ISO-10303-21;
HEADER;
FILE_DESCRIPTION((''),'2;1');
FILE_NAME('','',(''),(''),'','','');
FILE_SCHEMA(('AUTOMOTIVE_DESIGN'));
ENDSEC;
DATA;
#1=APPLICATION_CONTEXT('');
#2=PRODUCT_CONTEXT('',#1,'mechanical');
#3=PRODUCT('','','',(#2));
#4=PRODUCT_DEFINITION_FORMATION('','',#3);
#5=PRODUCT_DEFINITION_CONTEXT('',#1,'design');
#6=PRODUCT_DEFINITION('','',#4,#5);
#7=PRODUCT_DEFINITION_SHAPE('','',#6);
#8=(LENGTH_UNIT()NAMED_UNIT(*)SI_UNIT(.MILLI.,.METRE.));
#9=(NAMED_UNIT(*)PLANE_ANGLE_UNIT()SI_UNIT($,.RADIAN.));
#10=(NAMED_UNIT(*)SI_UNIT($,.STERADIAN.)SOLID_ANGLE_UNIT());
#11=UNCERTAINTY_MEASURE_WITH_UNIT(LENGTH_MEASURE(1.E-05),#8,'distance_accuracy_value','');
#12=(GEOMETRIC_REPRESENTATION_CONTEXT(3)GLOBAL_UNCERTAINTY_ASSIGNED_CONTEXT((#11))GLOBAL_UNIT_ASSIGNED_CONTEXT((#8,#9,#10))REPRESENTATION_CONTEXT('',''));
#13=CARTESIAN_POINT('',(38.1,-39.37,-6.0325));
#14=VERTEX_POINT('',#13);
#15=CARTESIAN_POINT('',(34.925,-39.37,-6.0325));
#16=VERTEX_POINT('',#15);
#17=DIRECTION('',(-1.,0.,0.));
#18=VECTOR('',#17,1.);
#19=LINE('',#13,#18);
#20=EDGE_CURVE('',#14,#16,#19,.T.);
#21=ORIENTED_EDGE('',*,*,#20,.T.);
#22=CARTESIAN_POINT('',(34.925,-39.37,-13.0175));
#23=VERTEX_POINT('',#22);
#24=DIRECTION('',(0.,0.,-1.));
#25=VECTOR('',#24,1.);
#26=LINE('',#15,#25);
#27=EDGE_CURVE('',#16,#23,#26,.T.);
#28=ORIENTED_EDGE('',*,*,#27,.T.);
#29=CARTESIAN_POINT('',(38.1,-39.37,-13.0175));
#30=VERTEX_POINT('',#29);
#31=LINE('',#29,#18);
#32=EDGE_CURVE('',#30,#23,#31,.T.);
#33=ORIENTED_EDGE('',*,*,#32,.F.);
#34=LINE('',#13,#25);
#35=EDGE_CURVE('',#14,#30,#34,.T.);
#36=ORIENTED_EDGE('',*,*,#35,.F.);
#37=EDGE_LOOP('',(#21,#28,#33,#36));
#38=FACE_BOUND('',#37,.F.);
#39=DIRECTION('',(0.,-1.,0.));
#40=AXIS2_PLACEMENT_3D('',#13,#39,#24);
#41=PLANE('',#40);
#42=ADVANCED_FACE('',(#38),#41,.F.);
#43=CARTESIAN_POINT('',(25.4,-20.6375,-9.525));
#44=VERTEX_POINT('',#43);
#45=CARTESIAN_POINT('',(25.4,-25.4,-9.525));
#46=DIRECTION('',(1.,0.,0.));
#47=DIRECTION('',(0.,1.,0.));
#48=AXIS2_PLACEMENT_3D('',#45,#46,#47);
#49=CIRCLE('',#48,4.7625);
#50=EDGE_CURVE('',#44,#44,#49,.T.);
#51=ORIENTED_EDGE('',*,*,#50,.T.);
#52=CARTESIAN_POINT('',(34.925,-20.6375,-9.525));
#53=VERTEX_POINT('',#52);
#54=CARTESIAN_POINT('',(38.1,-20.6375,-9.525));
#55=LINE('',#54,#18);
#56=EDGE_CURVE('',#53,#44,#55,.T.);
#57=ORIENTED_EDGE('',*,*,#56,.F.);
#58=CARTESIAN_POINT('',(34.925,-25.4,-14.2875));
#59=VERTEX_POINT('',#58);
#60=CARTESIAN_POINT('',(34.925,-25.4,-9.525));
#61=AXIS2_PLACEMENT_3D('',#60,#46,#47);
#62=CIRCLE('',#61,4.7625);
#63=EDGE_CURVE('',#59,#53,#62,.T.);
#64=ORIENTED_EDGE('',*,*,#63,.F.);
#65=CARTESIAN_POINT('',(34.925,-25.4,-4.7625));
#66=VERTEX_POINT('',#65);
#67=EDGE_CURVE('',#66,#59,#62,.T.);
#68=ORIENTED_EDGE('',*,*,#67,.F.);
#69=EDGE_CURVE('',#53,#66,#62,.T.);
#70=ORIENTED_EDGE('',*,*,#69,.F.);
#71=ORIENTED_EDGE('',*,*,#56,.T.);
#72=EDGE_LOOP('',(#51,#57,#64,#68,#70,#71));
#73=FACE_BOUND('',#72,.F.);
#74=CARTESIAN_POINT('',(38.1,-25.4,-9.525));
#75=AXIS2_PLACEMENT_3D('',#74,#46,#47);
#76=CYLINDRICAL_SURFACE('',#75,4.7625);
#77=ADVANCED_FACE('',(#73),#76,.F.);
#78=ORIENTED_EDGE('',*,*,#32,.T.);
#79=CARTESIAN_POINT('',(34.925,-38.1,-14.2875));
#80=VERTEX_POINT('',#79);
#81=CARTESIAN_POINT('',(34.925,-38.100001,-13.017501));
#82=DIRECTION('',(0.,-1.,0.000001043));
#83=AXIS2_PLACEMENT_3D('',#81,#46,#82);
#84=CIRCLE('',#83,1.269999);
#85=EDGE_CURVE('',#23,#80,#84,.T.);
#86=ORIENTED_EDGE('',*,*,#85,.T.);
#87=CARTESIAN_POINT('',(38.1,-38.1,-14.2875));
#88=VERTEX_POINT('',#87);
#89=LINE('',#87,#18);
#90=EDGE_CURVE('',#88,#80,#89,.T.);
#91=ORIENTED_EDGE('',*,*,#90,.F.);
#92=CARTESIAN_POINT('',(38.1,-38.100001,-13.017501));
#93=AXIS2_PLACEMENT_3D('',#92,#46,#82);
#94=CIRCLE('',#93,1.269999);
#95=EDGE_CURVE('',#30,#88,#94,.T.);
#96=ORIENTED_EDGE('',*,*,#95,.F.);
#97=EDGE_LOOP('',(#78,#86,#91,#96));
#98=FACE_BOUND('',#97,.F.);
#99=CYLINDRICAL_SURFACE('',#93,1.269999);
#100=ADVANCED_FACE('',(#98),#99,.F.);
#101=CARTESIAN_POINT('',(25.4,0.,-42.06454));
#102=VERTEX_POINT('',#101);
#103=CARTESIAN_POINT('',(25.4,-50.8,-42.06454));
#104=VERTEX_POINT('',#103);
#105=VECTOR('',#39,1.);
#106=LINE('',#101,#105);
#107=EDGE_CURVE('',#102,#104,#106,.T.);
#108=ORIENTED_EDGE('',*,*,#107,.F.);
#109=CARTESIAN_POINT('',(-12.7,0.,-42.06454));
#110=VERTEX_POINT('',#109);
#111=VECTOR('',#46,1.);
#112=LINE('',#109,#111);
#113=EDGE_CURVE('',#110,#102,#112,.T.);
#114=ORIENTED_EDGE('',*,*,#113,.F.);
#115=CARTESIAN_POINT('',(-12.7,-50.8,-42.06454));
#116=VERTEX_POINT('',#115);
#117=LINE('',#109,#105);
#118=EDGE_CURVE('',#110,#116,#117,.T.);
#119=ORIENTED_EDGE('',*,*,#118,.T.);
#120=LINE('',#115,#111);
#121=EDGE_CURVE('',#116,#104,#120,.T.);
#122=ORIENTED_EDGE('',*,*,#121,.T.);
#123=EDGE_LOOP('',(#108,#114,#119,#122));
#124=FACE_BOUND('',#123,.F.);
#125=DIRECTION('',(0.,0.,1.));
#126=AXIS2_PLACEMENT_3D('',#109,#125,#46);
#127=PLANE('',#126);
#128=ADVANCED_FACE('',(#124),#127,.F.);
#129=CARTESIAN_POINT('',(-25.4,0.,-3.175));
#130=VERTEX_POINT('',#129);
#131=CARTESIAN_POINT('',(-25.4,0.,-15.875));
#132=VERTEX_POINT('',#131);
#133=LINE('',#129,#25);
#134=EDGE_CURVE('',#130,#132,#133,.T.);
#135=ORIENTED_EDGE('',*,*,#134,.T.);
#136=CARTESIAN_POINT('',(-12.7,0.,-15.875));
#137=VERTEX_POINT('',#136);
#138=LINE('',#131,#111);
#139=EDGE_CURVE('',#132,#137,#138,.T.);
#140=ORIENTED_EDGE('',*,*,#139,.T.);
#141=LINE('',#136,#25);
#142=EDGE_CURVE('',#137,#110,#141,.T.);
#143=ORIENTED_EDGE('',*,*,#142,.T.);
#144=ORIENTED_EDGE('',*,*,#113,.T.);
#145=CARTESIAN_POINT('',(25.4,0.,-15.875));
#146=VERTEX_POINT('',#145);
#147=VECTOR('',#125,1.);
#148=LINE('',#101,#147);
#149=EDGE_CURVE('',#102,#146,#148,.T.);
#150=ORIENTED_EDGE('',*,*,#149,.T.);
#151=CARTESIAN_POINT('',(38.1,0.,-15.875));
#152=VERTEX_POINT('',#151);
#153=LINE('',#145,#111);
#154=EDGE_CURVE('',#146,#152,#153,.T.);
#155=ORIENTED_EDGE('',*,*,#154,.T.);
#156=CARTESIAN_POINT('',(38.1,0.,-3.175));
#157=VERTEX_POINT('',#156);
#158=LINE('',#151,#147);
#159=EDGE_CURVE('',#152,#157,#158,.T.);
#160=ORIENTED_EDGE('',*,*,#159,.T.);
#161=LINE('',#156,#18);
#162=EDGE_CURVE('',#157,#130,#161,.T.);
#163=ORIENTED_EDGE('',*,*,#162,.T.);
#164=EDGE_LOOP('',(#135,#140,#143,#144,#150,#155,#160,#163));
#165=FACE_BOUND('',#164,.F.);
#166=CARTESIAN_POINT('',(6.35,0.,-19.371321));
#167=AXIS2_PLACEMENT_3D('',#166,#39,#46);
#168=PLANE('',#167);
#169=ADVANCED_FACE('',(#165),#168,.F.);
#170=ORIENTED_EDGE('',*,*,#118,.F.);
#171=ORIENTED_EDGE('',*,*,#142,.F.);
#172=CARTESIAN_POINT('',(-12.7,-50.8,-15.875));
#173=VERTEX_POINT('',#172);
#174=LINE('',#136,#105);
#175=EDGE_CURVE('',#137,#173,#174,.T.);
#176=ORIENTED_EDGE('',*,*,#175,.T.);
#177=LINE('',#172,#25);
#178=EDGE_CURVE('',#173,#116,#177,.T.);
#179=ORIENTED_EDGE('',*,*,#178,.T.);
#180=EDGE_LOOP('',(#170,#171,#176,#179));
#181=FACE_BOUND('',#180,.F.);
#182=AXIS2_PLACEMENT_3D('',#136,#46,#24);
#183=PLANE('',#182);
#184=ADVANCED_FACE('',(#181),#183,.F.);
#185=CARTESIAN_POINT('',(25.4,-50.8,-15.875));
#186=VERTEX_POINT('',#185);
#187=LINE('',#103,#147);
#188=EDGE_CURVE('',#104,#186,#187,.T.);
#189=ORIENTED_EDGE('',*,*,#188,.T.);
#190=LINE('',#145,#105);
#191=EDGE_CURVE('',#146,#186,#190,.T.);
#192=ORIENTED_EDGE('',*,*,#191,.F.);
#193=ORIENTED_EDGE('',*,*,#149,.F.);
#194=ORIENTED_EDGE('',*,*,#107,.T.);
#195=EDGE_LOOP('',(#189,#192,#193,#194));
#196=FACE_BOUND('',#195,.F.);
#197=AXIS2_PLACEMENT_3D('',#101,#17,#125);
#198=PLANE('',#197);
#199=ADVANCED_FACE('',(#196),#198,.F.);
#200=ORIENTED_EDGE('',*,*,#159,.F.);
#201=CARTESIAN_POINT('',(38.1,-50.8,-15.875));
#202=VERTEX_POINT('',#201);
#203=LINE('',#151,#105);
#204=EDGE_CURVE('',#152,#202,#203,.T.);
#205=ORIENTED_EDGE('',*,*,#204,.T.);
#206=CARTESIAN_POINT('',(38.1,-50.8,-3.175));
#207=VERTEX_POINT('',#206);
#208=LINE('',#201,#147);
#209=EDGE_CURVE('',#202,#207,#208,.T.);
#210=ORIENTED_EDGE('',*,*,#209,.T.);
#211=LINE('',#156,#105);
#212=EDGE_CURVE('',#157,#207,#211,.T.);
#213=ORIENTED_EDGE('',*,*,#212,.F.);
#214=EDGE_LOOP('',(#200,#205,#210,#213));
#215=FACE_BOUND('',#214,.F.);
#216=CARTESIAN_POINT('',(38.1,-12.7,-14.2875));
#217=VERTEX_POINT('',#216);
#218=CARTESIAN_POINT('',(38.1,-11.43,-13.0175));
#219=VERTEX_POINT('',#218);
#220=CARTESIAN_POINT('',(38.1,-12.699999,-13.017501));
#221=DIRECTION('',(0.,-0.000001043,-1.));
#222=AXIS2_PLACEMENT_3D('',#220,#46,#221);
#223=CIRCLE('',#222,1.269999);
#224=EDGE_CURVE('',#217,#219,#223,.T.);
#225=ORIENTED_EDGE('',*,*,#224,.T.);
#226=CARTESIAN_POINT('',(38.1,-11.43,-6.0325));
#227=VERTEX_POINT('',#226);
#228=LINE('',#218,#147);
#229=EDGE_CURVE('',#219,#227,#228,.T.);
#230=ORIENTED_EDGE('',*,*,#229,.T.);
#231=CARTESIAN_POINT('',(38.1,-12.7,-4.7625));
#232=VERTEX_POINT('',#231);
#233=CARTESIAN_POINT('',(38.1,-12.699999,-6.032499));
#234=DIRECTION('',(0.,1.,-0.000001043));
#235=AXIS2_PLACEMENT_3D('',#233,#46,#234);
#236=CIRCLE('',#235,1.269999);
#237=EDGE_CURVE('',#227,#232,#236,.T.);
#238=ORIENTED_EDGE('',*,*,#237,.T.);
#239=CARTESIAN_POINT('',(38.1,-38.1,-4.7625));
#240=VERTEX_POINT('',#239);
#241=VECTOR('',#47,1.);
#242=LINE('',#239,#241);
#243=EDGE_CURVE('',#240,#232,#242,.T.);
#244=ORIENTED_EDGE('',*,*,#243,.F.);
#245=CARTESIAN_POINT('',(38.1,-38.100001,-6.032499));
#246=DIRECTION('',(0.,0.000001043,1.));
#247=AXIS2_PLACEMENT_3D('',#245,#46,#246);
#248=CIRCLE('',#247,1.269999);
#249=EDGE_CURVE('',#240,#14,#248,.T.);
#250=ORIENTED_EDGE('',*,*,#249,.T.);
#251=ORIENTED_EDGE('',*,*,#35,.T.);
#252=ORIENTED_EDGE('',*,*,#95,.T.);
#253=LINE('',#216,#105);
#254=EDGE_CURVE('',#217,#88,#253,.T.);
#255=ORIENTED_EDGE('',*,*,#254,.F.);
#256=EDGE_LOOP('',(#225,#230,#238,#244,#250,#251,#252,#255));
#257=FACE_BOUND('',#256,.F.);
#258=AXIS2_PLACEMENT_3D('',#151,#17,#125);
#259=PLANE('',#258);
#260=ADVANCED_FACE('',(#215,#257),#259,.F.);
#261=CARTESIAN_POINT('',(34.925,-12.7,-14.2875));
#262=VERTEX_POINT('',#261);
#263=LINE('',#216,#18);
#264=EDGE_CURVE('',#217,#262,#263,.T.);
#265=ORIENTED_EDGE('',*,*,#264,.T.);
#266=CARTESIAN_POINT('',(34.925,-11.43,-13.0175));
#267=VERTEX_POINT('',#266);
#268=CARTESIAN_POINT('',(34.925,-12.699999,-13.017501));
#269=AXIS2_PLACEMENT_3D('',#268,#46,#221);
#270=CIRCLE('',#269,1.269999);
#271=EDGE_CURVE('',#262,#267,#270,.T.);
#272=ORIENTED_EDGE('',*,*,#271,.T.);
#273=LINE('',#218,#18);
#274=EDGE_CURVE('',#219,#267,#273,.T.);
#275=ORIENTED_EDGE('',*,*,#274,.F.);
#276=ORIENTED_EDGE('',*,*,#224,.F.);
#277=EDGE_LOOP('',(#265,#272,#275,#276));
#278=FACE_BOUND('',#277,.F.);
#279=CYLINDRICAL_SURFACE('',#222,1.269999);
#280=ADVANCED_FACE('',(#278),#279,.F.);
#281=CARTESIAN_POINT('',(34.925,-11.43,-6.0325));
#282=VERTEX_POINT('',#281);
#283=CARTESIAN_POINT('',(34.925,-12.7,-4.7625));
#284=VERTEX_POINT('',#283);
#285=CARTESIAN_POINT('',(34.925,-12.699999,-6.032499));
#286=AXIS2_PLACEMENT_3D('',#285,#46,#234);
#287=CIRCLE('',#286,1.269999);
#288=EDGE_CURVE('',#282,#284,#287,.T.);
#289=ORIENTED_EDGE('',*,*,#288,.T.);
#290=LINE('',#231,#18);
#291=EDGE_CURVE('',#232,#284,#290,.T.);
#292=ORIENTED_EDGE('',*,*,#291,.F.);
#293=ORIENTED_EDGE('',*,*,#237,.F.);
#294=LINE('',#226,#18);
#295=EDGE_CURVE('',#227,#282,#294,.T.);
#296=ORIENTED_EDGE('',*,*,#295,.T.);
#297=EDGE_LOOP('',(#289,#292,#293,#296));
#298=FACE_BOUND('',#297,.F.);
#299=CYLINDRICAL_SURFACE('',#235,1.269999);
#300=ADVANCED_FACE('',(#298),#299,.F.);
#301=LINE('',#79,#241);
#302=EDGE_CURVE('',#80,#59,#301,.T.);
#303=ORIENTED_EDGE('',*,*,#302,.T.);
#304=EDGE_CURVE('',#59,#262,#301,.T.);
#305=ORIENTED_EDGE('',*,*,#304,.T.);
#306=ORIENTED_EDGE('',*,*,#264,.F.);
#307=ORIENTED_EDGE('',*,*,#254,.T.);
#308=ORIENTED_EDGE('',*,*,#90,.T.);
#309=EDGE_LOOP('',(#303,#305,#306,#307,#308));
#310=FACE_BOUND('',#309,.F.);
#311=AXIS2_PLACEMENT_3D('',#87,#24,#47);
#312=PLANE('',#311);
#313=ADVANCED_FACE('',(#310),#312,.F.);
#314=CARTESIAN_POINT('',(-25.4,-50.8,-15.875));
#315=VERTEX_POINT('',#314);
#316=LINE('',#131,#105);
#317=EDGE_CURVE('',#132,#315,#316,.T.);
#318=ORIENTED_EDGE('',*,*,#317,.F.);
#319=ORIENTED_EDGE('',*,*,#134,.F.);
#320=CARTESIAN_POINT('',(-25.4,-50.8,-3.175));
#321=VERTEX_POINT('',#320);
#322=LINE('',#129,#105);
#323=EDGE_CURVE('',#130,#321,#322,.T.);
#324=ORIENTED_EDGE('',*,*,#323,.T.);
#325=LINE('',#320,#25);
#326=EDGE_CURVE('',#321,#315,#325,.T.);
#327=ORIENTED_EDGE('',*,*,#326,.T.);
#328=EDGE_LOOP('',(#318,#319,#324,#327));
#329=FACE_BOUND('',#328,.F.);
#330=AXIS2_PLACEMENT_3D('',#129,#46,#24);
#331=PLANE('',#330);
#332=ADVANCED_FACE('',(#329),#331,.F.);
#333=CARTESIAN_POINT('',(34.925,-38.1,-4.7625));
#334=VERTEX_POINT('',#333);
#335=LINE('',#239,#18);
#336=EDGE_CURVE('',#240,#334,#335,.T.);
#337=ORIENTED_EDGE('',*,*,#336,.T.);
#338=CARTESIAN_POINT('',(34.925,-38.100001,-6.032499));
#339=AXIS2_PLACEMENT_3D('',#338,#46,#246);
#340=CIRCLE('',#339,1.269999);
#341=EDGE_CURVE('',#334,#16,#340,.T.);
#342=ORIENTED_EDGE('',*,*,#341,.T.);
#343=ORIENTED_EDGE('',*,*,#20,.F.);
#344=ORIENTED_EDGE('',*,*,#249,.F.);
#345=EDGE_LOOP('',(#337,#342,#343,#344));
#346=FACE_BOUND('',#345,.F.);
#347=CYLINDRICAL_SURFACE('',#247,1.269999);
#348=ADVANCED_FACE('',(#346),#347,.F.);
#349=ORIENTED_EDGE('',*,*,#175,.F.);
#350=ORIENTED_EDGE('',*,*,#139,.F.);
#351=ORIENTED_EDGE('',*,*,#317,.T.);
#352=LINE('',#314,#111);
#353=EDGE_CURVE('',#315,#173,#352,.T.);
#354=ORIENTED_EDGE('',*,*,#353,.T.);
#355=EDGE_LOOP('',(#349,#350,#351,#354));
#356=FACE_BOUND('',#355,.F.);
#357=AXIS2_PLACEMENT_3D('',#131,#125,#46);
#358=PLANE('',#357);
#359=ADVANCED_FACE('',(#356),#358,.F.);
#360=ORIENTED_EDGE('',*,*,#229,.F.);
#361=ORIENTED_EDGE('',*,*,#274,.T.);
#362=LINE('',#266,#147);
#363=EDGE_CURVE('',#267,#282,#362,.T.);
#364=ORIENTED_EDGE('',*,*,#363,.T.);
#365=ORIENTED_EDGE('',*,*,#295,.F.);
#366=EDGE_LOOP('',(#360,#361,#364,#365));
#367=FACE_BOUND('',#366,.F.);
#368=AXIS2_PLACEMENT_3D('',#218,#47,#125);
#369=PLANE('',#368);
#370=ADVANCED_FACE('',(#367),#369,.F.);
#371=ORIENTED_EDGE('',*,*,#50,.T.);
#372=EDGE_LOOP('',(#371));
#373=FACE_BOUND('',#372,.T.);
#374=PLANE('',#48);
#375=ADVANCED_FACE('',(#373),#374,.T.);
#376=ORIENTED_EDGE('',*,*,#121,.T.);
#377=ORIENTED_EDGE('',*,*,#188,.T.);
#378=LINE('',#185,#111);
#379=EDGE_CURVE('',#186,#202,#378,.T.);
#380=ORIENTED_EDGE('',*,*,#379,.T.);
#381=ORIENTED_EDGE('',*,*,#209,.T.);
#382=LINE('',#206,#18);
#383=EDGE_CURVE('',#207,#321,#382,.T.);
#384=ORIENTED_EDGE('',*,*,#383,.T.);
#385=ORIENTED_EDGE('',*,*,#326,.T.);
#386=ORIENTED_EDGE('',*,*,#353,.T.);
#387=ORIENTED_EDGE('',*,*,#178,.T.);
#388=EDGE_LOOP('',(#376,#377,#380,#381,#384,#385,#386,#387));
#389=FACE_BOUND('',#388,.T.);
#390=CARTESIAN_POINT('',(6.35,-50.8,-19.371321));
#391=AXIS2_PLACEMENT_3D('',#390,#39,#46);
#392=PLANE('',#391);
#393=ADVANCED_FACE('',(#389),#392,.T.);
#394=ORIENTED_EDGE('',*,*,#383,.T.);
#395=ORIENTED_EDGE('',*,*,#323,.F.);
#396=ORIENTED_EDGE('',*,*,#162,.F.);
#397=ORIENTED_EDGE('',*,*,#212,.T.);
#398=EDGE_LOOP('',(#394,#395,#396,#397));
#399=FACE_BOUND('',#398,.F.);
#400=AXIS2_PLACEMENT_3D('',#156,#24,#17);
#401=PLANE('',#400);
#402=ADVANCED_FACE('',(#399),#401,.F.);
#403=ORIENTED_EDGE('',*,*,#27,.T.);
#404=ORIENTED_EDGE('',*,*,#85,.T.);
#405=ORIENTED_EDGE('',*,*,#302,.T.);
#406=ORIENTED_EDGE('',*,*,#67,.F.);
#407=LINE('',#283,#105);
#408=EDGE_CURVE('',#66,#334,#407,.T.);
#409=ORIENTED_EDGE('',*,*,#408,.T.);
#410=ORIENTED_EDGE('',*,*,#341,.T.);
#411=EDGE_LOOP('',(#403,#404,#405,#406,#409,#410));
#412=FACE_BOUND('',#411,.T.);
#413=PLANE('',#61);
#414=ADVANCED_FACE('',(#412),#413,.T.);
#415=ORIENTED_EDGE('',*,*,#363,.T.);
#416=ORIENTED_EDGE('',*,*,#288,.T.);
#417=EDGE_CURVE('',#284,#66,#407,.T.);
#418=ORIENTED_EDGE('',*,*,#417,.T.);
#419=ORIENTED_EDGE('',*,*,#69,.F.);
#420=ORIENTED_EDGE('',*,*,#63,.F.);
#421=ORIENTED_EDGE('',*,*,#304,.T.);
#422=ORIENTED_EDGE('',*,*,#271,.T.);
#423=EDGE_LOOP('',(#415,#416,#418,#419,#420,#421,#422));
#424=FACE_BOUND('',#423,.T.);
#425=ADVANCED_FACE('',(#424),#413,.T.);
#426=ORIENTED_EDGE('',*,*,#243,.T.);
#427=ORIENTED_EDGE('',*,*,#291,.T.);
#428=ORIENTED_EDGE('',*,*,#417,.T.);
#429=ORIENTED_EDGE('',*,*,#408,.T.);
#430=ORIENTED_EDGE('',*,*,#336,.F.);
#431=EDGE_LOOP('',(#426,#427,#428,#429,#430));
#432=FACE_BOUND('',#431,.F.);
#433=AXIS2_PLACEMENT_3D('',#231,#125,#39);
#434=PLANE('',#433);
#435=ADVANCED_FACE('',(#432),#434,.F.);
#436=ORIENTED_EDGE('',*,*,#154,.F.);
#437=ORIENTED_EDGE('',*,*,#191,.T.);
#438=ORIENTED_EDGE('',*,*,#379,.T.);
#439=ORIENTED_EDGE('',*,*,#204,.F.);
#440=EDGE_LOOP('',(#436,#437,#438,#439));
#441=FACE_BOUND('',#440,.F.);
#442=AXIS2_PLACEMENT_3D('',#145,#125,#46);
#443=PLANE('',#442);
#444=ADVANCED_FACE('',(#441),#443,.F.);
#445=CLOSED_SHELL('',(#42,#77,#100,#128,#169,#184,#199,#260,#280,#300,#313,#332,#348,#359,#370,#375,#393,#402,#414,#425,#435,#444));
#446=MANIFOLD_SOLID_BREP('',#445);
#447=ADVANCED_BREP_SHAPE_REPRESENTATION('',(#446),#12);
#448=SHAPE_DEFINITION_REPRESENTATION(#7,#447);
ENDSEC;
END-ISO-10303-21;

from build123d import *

# Parameters (mm, degrees)
F1_DEPTH = 50.8
F2_R     = 4.7625
F3_DEPTH = 12.7
F5_DEPTH = 3.175


with BuildPart() as f1:
    # F0 (on Front) → F1 (new body)
    with BuildSketch(Plane.XZ):
        Polygon((38.1, -15.875), (38.1, -3.175), (-25.4, -3.175), (-25.4, -15.875), (-12.7, -15.875), (-12.7, -22.225), (-12.7, -42.06454), (25.4, -42.06454), (25.4, -22.225), (25.4, -15.875), align=None)
    extrude(amount=F1_DEPTH)

    # F2 (on face) → F3 (cut)
    with BuildSketch(Plane.YZ.offset(38.1)):
        with Locations((-25.4, -9.525)):
            Circle(F2_R)
    extrude(amount=-F3_DEPTH, mode=Mode.SUBTRACT)

    # F4 (on face) → F5 (cut)
    with BuildSketch(Plane.YZ.offset(38.1)):
        with BuildLine():
            Line((-38.1, -14.2875), (-25.4, -14.2875))
            Line((-25.4, -14.2875), (-12.7, -14.2875))
            ThreePointArc((-12.7, -14.2875), (-11.801974, -13.915526), (-11.43, -13.0175))
            Line((-11.43, -13.0175), (-11.43, -9.8425))
            Line((-11.43, -9.8425), (-11.43, -6.0325))
            ThreePointArc((-11.43, -6.0325), (-11.801974, -5.134474), (-12.7, -4.7625))
            Line((-12.7, -4.7625), (-18.372404, -4.7625))
            Line((-18.372404, -4.7625), (-25.4, -4.7625))
            Line((-25.4, -4.7625), (-38.1, -4.7625))
            ThreePointArc((-38.1, -4.7625), (-38.998026, -5.134474), (-39.37, -6.0325))
            Line((-39.37, -6.0325), (-39.37, -13.0175))
            ThreePointArc((-39.37, -13.0175), (-38.998026, -13.915526), (-38.1, -14.2875))
        make_face()
    extrude(amount=-F5_DEPTH, mode=Mode.SUBTRACT)


solid = f1.part
